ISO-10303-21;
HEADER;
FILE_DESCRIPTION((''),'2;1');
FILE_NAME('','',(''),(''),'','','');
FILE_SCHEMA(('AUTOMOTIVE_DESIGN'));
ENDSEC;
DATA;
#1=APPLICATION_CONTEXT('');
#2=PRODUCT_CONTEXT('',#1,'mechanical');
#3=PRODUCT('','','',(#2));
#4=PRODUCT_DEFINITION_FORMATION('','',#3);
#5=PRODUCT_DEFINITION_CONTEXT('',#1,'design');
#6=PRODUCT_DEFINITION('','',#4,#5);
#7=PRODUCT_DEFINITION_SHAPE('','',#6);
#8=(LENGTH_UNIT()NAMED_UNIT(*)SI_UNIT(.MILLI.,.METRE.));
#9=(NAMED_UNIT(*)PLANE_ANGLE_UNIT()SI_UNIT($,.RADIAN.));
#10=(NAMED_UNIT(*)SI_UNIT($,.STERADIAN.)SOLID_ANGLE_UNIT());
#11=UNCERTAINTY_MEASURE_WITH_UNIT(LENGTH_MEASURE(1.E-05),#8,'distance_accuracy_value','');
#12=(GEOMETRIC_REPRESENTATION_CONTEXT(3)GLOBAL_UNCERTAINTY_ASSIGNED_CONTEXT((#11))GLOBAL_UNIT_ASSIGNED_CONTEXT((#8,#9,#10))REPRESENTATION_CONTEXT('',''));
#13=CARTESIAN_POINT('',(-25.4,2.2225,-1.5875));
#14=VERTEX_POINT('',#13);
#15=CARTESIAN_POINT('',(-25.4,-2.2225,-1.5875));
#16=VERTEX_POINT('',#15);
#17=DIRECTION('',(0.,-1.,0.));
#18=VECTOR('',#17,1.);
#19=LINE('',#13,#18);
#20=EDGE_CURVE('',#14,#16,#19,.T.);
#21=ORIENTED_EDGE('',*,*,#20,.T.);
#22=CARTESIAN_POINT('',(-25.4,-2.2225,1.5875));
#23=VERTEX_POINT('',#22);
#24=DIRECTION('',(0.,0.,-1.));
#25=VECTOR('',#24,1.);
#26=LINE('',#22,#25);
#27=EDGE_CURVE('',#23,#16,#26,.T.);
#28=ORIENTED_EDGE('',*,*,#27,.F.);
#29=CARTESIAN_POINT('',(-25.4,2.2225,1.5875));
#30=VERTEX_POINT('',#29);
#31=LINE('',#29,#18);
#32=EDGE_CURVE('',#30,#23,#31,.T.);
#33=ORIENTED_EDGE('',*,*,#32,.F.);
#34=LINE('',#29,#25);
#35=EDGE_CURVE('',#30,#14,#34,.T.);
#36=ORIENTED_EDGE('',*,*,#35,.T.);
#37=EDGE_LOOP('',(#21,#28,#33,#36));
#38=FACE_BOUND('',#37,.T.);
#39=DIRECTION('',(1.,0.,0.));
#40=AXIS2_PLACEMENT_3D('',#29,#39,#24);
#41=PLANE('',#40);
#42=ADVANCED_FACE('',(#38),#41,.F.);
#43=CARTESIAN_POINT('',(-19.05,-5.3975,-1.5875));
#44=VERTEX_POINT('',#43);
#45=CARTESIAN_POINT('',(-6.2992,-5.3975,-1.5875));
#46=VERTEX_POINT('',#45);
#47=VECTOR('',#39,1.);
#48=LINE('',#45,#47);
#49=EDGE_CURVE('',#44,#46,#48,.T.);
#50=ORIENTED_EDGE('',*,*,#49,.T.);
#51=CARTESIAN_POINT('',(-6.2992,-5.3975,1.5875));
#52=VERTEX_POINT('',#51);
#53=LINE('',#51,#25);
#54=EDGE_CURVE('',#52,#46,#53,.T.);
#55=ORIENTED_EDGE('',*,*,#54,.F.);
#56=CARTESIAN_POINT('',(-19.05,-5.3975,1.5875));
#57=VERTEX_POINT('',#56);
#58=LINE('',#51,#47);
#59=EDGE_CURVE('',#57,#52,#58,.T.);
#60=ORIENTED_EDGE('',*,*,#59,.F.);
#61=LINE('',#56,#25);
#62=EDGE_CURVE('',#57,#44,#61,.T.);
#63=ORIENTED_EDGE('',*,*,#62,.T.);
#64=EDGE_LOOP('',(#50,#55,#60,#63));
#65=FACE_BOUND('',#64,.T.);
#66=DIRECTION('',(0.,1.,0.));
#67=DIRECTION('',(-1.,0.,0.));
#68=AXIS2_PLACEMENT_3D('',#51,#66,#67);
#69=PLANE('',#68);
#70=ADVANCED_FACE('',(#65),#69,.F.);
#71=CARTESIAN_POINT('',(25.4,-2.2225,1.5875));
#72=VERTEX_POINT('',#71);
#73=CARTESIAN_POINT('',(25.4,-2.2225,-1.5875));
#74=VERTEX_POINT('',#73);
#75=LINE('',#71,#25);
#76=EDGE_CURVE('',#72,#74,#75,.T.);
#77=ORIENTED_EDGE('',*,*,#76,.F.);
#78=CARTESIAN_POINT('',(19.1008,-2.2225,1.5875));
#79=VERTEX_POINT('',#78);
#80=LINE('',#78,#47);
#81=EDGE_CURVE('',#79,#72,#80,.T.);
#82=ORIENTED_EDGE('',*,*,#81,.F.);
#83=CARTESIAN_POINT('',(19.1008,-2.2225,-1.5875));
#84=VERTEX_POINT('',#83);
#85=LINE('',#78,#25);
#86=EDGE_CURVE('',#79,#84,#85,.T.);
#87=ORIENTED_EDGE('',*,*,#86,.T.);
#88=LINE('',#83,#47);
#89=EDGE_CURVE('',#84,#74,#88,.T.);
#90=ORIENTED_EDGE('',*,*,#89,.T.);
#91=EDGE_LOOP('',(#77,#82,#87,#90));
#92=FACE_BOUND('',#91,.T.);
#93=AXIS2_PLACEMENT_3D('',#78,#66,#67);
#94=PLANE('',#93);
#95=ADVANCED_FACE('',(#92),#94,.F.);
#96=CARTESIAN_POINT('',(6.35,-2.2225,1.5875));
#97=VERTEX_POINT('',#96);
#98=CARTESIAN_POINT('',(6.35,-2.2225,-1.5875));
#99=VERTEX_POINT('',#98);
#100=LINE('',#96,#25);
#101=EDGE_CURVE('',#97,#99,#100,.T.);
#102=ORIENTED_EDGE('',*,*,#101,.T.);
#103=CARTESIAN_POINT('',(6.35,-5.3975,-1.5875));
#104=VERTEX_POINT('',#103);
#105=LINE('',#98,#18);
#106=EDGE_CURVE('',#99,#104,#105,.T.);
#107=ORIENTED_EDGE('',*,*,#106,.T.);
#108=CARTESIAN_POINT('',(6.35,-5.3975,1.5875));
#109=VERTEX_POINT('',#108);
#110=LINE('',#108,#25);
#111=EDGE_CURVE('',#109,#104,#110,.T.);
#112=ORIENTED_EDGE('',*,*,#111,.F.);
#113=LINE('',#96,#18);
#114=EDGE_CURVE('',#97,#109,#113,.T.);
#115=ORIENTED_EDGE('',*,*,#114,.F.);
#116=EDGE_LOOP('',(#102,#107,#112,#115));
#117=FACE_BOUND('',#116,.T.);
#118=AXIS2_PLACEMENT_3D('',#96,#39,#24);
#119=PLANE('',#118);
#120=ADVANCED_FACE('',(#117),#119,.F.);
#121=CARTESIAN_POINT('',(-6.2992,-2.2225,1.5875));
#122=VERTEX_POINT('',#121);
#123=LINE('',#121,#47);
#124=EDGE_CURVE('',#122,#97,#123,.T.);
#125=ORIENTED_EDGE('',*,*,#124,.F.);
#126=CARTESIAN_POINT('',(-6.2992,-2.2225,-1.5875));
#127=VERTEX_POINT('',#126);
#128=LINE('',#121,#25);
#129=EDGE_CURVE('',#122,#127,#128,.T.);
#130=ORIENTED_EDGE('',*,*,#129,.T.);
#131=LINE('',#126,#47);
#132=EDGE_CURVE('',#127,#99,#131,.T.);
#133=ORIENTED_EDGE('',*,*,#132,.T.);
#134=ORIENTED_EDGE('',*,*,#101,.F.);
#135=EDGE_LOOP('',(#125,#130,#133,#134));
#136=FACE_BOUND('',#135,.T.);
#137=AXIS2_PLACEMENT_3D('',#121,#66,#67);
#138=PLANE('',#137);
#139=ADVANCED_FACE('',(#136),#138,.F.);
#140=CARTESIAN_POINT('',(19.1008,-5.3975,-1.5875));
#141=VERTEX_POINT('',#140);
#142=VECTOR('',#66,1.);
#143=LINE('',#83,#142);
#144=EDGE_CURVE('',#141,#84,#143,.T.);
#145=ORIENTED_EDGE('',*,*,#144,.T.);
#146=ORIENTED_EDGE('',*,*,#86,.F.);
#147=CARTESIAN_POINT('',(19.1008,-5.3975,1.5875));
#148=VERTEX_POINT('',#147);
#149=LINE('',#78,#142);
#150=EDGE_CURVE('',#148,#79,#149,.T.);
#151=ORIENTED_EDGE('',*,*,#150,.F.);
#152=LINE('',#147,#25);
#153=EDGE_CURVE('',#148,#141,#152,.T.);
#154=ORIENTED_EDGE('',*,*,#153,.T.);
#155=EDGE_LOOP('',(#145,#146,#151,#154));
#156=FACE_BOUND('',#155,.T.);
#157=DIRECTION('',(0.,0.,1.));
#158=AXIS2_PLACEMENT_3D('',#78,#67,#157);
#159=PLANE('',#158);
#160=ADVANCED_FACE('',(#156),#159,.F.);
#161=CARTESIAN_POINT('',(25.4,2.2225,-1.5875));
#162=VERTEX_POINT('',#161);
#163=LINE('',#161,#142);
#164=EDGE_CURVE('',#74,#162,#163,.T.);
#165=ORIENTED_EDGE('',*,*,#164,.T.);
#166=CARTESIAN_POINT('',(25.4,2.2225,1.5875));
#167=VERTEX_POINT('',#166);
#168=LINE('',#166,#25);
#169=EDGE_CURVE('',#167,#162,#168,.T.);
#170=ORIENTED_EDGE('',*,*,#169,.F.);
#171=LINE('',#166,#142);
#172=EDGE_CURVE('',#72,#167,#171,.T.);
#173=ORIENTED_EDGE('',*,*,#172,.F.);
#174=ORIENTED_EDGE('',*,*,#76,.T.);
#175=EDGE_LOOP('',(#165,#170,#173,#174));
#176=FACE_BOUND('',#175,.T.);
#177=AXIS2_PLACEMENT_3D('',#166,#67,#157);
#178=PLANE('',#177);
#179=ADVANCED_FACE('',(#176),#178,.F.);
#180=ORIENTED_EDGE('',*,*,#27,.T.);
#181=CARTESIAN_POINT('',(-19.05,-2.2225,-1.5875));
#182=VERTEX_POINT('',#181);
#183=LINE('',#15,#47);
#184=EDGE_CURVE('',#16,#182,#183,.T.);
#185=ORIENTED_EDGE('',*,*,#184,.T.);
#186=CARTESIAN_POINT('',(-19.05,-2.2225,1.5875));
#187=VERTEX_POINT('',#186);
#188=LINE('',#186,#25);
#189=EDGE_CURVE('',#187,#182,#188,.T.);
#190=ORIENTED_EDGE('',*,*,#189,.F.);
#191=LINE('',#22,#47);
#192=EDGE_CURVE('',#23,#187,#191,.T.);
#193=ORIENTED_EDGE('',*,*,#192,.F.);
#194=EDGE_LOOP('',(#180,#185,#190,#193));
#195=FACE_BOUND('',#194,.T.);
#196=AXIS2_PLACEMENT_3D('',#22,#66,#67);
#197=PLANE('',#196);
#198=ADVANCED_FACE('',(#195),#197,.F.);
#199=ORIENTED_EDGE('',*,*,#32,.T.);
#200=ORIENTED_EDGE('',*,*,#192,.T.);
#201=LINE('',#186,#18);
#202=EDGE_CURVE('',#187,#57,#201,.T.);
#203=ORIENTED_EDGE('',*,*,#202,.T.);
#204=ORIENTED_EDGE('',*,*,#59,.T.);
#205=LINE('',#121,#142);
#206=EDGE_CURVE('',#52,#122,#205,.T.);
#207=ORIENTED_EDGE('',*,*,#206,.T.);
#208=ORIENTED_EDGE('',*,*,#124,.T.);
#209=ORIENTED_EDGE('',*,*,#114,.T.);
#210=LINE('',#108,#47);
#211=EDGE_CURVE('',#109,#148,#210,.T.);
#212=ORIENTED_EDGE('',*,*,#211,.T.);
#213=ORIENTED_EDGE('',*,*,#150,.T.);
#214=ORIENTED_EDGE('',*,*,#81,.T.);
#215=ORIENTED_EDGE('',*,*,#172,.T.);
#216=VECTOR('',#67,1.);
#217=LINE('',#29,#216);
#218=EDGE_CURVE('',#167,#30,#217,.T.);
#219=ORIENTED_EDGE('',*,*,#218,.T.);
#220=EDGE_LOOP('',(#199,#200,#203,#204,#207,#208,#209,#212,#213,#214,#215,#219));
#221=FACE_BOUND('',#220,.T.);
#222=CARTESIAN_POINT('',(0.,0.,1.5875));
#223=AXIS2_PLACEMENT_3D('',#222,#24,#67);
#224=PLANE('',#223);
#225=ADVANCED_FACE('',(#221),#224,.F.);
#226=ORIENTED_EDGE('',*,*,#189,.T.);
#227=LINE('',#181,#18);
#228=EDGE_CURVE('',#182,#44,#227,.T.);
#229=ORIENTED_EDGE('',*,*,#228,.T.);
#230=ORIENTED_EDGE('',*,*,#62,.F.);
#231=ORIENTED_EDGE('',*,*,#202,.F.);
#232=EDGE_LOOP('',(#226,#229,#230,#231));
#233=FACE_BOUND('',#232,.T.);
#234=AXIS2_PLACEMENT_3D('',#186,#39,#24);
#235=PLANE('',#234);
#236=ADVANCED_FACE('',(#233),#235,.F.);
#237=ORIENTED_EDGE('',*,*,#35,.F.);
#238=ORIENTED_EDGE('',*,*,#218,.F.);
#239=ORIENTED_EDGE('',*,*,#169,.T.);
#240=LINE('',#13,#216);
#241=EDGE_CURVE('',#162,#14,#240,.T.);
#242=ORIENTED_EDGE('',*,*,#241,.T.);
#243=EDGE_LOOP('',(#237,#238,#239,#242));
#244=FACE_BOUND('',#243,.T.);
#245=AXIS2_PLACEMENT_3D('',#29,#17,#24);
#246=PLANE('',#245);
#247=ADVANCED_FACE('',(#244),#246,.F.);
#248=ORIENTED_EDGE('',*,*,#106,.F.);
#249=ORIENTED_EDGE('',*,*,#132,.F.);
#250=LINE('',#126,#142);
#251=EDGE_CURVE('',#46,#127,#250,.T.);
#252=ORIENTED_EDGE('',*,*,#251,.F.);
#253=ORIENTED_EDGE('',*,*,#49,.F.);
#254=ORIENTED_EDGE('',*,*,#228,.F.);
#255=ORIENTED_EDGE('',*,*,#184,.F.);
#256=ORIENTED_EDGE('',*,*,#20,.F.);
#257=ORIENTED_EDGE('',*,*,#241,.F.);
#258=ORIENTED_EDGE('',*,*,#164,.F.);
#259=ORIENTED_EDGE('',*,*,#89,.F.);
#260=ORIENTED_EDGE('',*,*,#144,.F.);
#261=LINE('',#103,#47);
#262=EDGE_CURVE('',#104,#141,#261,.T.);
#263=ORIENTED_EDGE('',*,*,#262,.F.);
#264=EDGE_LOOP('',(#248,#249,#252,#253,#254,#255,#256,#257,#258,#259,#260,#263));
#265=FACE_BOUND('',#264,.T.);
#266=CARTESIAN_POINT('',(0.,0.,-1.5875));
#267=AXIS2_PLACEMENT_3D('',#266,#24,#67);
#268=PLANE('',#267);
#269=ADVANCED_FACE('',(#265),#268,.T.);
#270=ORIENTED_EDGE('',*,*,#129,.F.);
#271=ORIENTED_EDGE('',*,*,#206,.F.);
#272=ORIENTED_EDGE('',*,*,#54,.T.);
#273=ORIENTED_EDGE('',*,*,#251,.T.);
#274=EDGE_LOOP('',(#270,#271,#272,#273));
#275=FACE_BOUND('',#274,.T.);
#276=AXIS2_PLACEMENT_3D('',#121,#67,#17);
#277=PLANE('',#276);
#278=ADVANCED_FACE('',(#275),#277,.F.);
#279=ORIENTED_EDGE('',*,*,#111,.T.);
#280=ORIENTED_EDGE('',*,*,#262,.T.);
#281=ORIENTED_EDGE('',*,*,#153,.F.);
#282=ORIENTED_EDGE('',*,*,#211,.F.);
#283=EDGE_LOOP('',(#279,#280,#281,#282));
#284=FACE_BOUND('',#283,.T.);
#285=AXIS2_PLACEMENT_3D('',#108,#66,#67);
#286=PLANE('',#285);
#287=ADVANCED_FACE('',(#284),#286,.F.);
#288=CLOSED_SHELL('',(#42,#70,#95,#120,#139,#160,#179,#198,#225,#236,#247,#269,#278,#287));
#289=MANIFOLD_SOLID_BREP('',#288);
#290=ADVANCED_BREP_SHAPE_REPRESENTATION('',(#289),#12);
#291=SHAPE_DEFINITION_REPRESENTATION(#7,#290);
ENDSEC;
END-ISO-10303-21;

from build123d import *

# Parameters (mm, degrees)
BOSS_EXTRUDE1_DEPTH = 1.5875


with BuildPart() as part:
    # Sketch1 → Boss-Extrude1 (new body, symmetric)
    with BuildSketch(Plane.XY):
        Polygon((-6.2992, -2.2225), (6.35, -2.2225), (6.35, -5.3975), (19.1008, -5.3975), (19.1008, -2.2225), (25.4, -2.2225), (25.4, 2.2225), (-25.4, 2.2225), (-25.4, -2.2225), (-19.05, -2.2225), (-19.05, -5.3975), (-6.2992, -5.3975), align=None)
    extrude(amount=BOSS_EXTRUDE1_DEPTH, both=True)


solid = part.part
